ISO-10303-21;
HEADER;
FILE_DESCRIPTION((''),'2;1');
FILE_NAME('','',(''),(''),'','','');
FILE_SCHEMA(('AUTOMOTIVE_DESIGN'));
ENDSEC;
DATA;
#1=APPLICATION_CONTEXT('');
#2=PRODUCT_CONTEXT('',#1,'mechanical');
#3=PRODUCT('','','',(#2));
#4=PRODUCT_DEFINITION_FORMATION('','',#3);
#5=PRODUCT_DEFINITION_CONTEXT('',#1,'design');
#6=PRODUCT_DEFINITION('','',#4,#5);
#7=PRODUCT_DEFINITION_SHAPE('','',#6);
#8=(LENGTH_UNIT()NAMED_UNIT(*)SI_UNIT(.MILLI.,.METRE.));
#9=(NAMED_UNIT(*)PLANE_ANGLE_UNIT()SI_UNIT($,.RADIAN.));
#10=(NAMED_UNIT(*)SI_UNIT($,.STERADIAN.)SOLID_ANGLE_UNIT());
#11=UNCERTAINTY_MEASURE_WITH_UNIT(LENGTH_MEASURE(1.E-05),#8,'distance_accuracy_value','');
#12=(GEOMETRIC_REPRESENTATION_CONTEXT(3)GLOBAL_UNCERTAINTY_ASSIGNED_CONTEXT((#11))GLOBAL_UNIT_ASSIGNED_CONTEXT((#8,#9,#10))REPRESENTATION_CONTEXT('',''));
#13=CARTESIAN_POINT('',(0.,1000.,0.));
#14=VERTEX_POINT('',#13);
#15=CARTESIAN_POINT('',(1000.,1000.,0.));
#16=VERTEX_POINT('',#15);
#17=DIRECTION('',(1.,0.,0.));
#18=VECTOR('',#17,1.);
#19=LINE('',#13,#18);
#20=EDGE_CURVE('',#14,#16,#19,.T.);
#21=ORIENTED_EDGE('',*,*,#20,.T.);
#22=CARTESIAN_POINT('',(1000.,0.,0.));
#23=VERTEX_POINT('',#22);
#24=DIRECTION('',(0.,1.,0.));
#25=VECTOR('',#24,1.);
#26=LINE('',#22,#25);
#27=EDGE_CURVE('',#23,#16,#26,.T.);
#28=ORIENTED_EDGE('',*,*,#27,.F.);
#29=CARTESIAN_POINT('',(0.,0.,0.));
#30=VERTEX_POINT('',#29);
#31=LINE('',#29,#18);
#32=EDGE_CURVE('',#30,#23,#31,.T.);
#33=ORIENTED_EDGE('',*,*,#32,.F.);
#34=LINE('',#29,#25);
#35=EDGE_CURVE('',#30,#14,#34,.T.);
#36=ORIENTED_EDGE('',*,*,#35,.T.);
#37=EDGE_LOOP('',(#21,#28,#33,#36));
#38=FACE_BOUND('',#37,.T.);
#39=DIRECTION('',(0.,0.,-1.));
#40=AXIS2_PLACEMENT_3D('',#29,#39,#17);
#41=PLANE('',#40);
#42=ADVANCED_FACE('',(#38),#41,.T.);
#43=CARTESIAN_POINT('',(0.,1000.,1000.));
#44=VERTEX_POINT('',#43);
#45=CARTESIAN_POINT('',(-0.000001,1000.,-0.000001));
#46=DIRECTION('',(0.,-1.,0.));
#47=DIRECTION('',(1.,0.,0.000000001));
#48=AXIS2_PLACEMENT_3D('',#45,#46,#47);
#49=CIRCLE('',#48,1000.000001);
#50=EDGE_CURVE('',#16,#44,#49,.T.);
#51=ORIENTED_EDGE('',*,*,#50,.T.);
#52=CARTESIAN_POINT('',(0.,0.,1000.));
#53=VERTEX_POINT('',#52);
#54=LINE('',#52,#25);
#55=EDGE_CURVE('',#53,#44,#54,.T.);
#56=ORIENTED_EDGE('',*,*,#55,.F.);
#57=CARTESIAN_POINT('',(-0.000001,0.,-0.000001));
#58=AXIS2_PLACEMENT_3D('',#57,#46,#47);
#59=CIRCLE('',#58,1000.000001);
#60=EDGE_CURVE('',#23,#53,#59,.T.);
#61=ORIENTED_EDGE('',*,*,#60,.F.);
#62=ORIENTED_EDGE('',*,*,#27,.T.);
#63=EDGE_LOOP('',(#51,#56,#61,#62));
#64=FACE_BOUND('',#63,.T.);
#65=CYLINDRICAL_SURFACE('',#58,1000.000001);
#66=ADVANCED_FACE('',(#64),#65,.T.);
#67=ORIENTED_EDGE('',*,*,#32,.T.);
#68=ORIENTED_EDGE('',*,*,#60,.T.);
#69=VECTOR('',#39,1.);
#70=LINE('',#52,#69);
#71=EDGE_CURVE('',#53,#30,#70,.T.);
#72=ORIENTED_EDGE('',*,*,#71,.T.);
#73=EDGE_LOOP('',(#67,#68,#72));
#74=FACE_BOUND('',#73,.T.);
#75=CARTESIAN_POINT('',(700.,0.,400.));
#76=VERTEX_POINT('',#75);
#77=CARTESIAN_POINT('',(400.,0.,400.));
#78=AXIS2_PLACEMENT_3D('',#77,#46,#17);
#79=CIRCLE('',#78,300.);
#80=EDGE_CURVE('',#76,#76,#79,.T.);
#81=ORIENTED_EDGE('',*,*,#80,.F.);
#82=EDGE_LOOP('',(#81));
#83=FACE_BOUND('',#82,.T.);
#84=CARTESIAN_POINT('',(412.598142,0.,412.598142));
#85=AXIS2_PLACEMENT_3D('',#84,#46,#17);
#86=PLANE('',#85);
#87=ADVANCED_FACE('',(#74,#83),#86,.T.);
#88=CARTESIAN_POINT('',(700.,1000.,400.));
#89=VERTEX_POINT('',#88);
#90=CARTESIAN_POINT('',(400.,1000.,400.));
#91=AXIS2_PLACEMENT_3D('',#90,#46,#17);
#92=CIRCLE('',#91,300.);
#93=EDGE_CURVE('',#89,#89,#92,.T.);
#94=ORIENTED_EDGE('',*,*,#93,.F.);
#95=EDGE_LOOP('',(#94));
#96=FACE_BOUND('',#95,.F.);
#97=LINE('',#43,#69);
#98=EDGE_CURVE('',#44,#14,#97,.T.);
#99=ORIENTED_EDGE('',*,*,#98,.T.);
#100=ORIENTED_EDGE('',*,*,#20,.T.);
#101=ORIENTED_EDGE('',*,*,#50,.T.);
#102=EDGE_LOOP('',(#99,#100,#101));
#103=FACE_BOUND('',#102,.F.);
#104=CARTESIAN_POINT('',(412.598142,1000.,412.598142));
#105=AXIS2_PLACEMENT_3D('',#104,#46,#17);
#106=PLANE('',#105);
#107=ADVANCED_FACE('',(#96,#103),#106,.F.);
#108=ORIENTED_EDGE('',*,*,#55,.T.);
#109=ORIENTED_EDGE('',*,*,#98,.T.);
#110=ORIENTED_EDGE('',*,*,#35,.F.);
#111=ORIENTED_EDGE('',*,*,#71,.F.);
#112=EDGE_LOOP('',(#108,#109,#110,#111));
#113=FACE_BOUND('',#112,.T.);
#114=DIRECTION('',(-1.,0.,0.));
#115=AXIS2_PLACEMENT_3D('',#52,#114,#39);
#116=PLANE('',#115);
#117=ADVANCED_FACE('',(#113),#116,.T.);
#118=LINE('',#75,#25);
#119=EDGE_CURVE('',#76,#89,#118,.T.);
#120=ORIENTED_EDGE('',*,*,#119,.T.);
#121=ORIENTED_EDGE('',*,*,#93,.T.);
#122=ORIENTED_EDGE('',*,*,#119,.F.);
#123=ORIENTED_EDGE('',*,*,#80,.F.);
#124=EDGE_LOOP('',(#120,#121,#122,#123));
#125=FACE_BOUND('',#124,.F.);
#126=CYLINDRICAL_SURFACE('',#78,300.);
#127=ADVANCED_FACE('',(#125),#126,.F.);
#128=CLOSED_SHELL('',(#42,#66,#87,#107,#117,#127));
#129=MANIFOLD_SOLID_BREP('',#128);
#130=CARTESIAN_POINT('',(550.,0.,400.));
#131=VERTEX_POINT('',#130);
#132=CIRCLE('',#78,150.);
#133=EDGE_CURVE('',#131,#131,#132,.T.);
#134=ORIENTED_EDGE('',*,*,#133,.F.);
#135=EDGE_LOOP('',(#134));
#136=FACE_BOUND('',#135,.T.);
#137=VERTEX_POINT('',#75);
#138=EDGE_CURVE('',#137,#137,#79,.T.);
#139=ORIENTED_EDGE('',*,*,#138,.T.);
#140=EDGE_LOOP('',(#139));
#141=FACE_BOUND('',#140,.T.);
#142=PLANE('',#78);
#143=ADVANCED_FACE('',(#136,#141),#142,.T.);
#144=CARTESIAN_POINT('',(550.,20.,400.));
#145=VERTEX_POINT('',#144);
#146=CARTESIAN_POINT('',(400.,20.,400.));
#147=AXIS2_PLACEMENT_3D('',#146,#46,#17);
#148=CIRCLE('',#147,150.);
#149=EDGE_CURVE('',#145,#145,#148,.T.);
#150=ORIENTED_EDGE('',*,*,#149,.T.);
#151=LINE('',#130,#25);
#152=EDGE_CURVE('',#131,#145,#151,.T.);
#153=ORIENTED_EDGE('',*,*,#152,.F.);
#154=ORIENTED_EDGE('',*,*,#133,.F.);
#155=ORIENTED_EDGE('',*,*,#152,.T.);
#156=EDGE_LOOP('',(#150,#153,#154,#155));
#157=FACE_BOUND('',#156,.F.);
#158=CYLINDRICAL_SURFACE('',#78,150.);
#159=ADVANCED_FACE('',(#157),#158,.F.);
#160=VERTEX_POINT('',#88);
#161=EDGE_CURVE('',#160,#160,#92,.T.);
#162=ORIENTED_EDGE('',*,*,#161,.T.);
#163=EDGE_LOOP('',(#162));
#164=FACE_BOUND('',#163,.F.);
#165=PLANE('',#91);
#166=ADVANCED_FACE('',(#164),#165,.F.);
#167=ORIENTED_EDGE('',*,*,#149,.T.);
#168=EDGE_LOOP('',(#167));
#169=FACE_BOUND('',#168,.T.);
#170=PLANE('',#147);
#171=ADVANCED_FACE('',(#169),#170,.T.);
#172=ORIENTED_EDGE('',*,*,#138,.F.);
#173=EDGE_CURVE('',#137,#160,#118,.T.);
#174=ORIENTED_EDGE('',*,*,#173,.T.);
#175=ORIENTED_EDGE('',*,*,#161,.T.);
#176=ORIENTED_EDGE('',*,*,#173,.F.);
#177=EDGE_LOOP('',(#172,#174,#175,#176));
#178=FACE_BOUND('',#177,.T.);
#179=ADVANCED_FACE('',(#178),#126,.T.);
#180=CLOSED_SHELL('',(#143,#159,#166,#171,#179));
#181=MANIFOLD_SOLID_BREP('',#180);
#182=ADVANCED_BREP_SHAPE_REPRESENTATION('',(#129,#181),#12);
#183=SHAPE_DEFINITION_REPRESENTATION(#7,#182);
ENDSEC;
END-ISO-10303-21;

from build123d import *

# Parameters (mm, degrees)
F3_DEPTH = 1000
F2_R     = 300
F4_DEPTH = 1200
F5_DEPTH = 1000
F1_R     = 150
F6_DEPTH = 20


with BuildPart() as f3:
    # F0 (on Front) → F3 (new body)
    with BuildSketch(Plane.XZ):
        with BuildLine():
            Line((0, 0), (1000, 0))
            ThreePointArc((1000, 0), (707.106781, 707.106781), (0, 1000))
            Line((0, 1000), (0, 0))
        make_face()
    extrude(amount=-F3_DEPTH)

    # F2 (on Front) → F4 (cut)
    with BuildSketch(Plane.XZ):
        with Locations((400, 400)):
            Circle(F2_R)
    extrude(amount=-F4_DEPTH, mode=Mode.SUBTRACT)


with BuildPart() as f5:
    # F2 (on Front) → F5 (new body, through all)
    with BuildSketch(Plane.XZ):
        with Locations((400, 400)):
            Circle(F2_R)
    extrude(amount=-F5_DEPTH)

    # F1 (on Front) → F6 (cut)
    with BuildSketch(Plane.XZ):
        with Locations((400, 400)):
            Circle(F1_R)
    extrude(amount=-F6_DEPTH, mode=Mode.SUBTRACT)


solid = Compound([f3.part, f5.part])
